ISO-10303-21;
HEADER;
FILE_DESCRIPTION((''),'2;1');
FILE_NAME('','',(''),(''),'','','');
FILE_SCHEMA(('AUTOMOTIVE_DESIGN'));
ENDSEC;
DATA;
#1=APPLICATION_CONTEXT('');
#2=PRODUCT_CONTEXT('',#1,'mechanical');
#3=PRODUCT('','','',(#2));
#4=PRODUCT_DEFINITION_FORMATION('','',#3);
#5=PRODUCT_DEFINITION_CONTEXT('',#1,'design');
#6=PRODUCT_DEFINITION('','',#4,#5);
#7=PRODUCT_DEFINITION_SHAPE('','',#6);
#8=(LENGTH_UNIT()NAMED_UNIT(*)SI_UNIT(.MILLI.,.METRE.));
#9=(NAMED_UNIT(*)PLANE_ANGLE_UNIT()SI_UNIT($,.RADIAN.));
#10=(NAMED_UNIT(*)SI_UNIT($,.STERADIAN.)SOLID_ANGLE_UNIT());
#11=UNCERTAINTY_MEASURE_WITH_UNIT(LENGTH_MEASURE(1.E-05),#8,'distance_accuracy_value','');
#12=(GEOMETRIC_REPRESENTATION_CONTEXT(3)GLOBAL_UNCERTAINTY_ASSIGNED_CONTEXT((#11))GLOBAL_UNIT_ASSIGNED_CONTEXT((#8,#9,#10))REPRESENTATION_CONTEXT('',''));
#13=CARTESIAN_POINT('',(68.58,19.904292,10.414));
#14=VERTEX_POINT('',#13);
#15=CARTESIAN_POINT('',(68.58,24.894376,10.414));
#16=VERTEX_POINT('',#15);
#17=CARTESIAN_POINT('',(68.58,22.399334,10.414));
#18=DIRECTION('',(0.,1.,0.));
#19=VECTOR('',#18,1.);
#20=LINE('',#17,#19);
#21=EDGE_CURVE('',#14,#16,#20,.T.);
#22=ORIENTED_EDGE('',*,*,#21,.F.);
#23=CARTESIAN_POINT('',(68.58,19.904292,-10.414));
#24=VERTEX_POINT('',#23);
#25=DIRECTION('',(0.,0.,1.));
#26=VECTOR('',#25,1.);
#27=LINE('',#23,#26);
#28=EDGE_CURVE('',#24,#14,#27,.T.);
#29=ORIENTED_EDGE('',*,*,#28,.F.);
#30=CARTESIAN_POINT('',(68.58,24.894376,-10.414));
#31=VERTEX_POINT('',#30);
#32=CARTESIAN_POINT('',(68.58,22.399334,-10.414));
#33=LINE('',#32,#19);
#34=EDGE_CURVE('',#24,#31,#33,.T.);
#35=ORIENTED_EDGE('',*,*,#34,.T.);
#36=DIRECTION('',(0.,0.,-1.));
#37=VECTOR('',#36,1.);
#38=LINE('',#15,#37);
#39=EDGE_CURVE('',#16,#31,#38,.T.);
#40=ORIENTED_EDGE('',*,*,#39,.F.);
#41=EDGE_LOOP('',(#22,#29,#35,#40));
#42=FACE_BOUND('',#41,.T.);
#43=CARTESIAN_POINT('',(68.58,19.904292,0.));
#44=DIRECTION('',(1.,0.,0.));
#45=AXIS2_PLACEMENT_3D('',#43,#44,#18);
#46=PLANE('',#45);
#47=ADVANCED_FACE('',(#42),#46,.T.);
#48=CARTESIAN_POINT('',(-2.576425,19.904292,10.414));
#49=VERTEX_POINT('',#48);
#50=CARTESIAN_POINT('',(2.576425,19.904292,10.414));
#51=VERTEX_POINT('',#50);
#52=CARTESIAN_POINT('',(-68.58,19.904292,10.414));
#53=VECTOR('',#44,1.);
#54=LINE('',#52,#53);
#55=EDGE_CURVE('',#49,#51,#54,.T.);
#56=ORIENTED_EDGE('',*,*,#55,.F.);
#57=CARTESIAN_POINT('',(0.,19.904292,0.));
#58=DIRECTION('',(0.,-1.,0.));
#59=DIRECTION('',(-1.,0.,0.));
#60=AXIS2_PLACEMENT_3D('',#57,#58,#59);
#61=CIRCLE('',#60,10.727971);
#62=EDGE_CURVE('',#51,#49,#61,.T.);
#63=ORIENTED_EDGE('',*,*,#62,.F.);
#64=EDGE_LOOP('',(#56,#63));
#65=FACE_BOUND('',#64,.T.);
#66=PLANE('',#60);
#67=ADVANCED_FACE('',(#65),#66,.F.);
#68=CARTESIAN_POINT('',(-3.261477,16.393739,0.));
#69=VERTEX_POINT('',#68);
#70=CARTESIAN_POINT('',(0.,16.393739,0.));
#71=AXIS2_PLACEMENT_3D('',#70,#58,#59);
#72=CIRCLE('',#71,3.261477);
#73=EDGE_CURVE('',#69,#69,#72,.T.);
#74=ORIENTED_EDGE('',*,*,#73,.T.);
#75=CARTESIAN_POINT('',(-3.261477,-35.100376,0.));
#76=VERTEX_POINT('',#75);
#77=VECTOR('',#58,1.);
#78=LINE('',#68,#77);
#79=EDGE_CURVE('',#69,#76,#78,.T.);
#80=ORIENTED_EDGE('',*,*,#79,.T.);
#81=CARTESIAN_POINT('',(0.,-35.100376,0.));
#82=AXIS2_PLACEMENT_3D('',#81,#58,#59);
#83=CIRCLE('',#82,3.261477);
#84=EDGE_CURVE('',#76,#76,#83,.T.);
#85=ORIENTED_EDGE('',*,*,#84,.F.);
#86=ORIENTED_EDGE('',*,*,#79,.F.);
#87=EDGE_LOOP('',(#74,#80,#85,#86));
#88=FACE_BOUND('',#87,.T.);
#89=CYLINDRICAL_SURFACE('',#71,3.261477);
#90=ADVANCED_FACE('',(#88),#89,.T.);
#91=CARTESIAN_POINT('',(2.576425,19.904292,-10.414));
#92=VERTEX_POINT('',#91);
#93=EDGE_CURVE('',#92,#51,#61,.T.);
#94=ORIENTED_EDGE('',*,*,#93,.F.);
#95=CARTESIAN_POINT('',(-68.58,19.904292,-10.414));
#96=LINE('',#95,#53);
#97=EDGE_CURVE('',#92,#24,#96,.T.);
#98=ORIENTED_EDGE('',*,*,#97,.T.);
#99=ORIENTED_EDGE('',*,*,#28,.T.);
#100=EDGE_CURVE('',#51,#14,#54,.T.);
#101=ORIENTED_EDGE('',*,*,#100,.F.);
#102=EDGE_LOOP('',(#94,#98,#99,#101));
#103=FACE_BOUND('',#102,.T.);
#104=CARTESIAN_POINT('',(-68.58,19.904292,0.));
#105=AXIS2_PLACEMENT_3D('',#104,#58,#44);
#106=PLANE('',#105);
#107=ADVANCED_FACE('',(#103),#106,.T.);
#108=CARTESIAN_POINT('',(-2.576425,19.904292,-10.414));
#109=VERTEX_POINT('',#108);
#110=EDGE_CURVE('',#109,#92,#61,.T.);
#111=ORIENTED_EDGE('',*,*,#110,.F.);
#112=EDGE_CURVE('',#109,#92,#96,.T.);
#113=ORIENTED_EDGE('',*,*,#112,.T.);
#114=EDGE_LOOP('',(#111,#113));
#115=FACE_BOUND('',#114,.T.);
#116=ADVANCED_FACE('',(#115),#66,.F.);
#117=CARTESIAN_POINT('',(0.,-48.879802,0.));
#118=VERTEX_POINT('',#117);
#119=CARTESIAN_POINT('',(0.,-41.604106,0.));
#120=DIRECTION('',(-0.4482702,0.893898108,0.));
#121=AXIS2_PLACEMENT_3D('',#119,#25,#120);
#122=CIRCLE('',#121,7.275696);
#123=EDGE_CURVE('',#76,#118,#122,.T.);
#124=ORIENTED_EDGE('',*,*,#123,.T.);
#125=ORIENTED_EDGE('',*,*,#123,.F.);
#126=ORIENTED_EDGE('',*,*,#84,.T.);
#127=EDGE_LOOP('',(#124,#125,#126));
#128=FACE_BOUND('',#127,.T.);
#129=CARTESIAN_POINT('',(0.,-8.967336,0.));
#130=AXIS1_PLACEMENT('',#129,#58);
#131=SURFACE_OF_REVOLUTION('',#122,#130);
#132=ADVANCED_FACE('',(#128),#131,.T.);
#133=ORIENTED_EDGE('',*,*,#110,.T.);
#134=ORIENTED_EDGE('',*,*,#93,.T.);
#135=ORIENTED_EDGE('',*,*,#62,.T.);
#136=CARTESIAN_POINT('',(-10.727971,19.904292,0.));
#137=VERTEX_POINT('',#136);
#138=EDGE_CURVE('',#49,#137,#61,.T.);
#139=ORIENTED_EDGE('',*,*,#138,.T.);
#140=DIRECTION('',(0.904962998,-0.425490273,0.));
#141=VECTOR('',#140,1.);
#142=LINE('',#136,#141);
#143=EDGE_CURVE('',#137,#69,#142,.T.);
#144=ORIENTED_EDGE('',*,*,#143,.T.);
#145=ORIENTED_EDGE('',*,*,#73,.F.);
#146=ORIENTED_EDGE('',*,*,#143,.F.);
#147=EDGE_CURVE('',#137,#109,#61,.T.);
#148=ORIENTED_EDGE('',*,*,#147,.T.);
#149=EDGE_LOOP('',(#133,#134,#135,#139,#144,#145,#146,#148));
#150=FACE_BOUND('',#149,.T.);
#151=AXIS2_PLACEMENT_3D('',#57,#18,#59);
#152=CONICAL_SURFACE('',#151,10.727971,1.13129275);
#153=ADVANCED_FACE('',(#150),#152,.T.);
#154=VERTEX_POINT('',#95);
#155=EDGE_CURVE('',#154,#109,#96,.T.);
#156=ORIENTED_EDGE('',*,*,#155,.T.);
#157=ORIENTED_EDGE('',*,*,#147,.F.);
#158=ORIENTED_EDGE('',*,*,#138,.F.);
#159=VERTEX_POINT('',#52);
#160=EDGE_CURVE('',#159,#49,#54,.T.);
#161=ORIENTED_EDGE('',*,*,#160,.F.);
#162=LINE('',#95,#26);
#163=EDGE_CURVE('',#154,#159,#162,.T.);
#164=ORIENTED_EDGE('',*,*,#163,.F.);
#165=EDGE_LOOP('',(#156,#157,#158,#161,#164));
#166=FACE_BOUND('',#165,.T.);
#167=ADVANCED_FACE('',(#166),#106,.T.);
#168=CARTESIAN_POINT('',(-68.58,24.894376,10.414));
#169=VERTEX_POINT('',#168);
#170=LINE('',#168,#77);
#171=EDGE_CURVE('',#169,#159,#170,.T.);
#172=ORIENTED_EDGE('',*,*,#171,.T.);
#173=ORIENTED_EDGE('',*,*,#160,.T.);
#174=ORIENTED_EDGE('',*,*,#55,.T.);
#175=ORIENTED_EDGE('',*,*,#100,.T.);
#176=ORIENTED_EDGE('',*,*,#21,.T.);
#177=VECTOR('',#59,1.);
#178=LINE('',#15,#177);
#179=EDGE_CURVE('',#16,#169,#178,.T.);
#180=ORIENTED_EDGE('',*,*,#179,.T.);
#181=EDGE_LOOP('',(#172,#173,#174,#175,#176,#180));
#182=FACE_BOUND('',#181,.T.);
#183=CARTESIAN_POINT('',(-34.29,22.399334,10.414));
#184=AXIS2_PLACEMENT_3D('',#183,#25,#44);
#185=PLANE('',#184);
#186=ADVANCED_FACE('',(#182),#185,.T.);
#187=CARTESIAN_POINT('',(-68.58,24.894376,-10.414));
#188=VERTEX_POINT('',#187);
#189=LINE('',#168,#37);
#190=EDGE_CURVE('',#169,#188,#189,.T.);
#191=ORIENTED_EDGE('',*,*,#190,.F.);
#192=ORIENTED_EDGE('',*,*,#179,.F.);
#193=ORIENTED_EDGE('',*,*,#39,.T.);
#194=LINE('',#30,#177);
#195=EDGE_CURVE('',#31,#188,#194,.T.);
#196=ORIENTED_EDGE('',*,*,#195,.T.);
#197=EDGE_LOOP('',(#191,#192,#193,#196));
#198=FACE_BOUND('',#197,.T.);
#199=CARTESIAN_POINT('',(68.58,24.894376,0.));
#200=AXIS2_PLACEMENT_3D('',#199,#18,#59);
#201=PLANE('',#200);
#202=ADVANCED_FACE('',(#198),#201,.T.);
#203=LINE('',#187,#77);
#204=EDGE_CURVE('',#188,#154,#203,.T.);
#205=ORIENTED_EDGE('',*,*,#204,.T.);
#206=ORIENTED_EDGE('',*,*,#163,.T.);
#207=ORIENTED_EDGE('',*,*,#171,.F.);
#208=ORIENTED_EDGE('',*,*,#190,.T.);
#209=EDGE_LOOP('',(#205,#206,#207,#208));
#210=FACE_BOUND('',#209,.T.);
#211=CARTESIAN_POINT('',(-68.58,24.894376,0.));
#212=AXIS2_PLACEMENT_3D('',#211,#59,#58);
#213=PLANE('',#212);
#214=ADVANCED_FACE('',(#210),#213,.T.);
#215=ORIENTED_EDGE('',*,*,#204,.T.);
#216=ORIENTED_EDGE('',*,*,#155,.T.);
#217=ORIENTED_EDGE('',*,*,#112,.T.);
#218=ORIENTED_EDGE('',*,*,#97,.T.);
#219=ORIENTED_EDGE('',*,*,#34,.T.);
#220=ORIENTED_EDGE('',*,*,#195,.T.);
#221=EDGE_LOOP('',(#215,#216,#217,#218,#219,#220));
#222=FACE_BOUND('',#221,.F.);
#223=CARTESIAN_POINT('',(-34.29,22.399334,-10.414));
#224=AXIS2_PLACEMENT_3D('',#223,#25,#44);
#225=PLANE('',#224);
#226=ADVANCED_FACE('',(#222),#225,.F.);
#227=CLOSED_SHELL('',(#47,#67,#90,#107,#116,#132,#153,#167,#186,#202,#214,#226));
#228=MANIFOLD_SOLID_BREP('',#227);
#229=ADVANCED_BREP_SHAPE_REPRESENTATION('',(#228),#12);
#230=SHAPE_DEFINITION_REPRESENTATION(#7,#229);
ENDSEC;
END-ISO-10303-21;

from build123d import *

# Parameters (mm, degrees)
F0_W     = 68.58
F0_H     = 4.990084
F2_DEPTH = 10.414


with BuildPart() as f1:
    # F0 (on Top) → F1 (revolve)
    with BuildSketch(Plane.XY):
        Polygon((-3.261477, 16.393739), (0, 16.393739), (0, 19.904292), (-10.727971, 19.904292), align=None)
        with BuildLine():
            ThreePointArc((-3.261477, -35.100376), (-1.675796, -34.524032), (0, -34.328411))
            Line((0, -34.328411), (0, 16.393739))
            Line((0, 16.393739), (-3.261477, 16.393739))
            Line((-3.261477, 16.393739), (-3.261477, -35.100376))
        make_face()
        with BuildLine():
            Line((0, -48.879802), (0, -34.328411))
            ThreePointArc((0, -34.328411), (-1.675796, -34.524032), (-3.261477, -35.100376))
            ThreePointArc((-3.261477, -35.100376), (-7.080074, -43.279902), (0, -48.879802))
        make_face()
    revolve(axis=Axis((0, -8.967336, 0), (0, -1, 0)))

    # F0 (on Top) → F2 (join, symmetric)
    with BuildSketch(Plane.XY):
        Polygon((-10.727971, 19.904292), (0, 19.904292), (0, 24.894376), (-68.58, 24.894376), (-68.58, 19.904292), align=None)
        with Locations((34.29, 22.399334)):
            Rectangle(F0_W, F0_H)
    extrude(amount=F2_DEPTH, both=True)


solid = f1.part
